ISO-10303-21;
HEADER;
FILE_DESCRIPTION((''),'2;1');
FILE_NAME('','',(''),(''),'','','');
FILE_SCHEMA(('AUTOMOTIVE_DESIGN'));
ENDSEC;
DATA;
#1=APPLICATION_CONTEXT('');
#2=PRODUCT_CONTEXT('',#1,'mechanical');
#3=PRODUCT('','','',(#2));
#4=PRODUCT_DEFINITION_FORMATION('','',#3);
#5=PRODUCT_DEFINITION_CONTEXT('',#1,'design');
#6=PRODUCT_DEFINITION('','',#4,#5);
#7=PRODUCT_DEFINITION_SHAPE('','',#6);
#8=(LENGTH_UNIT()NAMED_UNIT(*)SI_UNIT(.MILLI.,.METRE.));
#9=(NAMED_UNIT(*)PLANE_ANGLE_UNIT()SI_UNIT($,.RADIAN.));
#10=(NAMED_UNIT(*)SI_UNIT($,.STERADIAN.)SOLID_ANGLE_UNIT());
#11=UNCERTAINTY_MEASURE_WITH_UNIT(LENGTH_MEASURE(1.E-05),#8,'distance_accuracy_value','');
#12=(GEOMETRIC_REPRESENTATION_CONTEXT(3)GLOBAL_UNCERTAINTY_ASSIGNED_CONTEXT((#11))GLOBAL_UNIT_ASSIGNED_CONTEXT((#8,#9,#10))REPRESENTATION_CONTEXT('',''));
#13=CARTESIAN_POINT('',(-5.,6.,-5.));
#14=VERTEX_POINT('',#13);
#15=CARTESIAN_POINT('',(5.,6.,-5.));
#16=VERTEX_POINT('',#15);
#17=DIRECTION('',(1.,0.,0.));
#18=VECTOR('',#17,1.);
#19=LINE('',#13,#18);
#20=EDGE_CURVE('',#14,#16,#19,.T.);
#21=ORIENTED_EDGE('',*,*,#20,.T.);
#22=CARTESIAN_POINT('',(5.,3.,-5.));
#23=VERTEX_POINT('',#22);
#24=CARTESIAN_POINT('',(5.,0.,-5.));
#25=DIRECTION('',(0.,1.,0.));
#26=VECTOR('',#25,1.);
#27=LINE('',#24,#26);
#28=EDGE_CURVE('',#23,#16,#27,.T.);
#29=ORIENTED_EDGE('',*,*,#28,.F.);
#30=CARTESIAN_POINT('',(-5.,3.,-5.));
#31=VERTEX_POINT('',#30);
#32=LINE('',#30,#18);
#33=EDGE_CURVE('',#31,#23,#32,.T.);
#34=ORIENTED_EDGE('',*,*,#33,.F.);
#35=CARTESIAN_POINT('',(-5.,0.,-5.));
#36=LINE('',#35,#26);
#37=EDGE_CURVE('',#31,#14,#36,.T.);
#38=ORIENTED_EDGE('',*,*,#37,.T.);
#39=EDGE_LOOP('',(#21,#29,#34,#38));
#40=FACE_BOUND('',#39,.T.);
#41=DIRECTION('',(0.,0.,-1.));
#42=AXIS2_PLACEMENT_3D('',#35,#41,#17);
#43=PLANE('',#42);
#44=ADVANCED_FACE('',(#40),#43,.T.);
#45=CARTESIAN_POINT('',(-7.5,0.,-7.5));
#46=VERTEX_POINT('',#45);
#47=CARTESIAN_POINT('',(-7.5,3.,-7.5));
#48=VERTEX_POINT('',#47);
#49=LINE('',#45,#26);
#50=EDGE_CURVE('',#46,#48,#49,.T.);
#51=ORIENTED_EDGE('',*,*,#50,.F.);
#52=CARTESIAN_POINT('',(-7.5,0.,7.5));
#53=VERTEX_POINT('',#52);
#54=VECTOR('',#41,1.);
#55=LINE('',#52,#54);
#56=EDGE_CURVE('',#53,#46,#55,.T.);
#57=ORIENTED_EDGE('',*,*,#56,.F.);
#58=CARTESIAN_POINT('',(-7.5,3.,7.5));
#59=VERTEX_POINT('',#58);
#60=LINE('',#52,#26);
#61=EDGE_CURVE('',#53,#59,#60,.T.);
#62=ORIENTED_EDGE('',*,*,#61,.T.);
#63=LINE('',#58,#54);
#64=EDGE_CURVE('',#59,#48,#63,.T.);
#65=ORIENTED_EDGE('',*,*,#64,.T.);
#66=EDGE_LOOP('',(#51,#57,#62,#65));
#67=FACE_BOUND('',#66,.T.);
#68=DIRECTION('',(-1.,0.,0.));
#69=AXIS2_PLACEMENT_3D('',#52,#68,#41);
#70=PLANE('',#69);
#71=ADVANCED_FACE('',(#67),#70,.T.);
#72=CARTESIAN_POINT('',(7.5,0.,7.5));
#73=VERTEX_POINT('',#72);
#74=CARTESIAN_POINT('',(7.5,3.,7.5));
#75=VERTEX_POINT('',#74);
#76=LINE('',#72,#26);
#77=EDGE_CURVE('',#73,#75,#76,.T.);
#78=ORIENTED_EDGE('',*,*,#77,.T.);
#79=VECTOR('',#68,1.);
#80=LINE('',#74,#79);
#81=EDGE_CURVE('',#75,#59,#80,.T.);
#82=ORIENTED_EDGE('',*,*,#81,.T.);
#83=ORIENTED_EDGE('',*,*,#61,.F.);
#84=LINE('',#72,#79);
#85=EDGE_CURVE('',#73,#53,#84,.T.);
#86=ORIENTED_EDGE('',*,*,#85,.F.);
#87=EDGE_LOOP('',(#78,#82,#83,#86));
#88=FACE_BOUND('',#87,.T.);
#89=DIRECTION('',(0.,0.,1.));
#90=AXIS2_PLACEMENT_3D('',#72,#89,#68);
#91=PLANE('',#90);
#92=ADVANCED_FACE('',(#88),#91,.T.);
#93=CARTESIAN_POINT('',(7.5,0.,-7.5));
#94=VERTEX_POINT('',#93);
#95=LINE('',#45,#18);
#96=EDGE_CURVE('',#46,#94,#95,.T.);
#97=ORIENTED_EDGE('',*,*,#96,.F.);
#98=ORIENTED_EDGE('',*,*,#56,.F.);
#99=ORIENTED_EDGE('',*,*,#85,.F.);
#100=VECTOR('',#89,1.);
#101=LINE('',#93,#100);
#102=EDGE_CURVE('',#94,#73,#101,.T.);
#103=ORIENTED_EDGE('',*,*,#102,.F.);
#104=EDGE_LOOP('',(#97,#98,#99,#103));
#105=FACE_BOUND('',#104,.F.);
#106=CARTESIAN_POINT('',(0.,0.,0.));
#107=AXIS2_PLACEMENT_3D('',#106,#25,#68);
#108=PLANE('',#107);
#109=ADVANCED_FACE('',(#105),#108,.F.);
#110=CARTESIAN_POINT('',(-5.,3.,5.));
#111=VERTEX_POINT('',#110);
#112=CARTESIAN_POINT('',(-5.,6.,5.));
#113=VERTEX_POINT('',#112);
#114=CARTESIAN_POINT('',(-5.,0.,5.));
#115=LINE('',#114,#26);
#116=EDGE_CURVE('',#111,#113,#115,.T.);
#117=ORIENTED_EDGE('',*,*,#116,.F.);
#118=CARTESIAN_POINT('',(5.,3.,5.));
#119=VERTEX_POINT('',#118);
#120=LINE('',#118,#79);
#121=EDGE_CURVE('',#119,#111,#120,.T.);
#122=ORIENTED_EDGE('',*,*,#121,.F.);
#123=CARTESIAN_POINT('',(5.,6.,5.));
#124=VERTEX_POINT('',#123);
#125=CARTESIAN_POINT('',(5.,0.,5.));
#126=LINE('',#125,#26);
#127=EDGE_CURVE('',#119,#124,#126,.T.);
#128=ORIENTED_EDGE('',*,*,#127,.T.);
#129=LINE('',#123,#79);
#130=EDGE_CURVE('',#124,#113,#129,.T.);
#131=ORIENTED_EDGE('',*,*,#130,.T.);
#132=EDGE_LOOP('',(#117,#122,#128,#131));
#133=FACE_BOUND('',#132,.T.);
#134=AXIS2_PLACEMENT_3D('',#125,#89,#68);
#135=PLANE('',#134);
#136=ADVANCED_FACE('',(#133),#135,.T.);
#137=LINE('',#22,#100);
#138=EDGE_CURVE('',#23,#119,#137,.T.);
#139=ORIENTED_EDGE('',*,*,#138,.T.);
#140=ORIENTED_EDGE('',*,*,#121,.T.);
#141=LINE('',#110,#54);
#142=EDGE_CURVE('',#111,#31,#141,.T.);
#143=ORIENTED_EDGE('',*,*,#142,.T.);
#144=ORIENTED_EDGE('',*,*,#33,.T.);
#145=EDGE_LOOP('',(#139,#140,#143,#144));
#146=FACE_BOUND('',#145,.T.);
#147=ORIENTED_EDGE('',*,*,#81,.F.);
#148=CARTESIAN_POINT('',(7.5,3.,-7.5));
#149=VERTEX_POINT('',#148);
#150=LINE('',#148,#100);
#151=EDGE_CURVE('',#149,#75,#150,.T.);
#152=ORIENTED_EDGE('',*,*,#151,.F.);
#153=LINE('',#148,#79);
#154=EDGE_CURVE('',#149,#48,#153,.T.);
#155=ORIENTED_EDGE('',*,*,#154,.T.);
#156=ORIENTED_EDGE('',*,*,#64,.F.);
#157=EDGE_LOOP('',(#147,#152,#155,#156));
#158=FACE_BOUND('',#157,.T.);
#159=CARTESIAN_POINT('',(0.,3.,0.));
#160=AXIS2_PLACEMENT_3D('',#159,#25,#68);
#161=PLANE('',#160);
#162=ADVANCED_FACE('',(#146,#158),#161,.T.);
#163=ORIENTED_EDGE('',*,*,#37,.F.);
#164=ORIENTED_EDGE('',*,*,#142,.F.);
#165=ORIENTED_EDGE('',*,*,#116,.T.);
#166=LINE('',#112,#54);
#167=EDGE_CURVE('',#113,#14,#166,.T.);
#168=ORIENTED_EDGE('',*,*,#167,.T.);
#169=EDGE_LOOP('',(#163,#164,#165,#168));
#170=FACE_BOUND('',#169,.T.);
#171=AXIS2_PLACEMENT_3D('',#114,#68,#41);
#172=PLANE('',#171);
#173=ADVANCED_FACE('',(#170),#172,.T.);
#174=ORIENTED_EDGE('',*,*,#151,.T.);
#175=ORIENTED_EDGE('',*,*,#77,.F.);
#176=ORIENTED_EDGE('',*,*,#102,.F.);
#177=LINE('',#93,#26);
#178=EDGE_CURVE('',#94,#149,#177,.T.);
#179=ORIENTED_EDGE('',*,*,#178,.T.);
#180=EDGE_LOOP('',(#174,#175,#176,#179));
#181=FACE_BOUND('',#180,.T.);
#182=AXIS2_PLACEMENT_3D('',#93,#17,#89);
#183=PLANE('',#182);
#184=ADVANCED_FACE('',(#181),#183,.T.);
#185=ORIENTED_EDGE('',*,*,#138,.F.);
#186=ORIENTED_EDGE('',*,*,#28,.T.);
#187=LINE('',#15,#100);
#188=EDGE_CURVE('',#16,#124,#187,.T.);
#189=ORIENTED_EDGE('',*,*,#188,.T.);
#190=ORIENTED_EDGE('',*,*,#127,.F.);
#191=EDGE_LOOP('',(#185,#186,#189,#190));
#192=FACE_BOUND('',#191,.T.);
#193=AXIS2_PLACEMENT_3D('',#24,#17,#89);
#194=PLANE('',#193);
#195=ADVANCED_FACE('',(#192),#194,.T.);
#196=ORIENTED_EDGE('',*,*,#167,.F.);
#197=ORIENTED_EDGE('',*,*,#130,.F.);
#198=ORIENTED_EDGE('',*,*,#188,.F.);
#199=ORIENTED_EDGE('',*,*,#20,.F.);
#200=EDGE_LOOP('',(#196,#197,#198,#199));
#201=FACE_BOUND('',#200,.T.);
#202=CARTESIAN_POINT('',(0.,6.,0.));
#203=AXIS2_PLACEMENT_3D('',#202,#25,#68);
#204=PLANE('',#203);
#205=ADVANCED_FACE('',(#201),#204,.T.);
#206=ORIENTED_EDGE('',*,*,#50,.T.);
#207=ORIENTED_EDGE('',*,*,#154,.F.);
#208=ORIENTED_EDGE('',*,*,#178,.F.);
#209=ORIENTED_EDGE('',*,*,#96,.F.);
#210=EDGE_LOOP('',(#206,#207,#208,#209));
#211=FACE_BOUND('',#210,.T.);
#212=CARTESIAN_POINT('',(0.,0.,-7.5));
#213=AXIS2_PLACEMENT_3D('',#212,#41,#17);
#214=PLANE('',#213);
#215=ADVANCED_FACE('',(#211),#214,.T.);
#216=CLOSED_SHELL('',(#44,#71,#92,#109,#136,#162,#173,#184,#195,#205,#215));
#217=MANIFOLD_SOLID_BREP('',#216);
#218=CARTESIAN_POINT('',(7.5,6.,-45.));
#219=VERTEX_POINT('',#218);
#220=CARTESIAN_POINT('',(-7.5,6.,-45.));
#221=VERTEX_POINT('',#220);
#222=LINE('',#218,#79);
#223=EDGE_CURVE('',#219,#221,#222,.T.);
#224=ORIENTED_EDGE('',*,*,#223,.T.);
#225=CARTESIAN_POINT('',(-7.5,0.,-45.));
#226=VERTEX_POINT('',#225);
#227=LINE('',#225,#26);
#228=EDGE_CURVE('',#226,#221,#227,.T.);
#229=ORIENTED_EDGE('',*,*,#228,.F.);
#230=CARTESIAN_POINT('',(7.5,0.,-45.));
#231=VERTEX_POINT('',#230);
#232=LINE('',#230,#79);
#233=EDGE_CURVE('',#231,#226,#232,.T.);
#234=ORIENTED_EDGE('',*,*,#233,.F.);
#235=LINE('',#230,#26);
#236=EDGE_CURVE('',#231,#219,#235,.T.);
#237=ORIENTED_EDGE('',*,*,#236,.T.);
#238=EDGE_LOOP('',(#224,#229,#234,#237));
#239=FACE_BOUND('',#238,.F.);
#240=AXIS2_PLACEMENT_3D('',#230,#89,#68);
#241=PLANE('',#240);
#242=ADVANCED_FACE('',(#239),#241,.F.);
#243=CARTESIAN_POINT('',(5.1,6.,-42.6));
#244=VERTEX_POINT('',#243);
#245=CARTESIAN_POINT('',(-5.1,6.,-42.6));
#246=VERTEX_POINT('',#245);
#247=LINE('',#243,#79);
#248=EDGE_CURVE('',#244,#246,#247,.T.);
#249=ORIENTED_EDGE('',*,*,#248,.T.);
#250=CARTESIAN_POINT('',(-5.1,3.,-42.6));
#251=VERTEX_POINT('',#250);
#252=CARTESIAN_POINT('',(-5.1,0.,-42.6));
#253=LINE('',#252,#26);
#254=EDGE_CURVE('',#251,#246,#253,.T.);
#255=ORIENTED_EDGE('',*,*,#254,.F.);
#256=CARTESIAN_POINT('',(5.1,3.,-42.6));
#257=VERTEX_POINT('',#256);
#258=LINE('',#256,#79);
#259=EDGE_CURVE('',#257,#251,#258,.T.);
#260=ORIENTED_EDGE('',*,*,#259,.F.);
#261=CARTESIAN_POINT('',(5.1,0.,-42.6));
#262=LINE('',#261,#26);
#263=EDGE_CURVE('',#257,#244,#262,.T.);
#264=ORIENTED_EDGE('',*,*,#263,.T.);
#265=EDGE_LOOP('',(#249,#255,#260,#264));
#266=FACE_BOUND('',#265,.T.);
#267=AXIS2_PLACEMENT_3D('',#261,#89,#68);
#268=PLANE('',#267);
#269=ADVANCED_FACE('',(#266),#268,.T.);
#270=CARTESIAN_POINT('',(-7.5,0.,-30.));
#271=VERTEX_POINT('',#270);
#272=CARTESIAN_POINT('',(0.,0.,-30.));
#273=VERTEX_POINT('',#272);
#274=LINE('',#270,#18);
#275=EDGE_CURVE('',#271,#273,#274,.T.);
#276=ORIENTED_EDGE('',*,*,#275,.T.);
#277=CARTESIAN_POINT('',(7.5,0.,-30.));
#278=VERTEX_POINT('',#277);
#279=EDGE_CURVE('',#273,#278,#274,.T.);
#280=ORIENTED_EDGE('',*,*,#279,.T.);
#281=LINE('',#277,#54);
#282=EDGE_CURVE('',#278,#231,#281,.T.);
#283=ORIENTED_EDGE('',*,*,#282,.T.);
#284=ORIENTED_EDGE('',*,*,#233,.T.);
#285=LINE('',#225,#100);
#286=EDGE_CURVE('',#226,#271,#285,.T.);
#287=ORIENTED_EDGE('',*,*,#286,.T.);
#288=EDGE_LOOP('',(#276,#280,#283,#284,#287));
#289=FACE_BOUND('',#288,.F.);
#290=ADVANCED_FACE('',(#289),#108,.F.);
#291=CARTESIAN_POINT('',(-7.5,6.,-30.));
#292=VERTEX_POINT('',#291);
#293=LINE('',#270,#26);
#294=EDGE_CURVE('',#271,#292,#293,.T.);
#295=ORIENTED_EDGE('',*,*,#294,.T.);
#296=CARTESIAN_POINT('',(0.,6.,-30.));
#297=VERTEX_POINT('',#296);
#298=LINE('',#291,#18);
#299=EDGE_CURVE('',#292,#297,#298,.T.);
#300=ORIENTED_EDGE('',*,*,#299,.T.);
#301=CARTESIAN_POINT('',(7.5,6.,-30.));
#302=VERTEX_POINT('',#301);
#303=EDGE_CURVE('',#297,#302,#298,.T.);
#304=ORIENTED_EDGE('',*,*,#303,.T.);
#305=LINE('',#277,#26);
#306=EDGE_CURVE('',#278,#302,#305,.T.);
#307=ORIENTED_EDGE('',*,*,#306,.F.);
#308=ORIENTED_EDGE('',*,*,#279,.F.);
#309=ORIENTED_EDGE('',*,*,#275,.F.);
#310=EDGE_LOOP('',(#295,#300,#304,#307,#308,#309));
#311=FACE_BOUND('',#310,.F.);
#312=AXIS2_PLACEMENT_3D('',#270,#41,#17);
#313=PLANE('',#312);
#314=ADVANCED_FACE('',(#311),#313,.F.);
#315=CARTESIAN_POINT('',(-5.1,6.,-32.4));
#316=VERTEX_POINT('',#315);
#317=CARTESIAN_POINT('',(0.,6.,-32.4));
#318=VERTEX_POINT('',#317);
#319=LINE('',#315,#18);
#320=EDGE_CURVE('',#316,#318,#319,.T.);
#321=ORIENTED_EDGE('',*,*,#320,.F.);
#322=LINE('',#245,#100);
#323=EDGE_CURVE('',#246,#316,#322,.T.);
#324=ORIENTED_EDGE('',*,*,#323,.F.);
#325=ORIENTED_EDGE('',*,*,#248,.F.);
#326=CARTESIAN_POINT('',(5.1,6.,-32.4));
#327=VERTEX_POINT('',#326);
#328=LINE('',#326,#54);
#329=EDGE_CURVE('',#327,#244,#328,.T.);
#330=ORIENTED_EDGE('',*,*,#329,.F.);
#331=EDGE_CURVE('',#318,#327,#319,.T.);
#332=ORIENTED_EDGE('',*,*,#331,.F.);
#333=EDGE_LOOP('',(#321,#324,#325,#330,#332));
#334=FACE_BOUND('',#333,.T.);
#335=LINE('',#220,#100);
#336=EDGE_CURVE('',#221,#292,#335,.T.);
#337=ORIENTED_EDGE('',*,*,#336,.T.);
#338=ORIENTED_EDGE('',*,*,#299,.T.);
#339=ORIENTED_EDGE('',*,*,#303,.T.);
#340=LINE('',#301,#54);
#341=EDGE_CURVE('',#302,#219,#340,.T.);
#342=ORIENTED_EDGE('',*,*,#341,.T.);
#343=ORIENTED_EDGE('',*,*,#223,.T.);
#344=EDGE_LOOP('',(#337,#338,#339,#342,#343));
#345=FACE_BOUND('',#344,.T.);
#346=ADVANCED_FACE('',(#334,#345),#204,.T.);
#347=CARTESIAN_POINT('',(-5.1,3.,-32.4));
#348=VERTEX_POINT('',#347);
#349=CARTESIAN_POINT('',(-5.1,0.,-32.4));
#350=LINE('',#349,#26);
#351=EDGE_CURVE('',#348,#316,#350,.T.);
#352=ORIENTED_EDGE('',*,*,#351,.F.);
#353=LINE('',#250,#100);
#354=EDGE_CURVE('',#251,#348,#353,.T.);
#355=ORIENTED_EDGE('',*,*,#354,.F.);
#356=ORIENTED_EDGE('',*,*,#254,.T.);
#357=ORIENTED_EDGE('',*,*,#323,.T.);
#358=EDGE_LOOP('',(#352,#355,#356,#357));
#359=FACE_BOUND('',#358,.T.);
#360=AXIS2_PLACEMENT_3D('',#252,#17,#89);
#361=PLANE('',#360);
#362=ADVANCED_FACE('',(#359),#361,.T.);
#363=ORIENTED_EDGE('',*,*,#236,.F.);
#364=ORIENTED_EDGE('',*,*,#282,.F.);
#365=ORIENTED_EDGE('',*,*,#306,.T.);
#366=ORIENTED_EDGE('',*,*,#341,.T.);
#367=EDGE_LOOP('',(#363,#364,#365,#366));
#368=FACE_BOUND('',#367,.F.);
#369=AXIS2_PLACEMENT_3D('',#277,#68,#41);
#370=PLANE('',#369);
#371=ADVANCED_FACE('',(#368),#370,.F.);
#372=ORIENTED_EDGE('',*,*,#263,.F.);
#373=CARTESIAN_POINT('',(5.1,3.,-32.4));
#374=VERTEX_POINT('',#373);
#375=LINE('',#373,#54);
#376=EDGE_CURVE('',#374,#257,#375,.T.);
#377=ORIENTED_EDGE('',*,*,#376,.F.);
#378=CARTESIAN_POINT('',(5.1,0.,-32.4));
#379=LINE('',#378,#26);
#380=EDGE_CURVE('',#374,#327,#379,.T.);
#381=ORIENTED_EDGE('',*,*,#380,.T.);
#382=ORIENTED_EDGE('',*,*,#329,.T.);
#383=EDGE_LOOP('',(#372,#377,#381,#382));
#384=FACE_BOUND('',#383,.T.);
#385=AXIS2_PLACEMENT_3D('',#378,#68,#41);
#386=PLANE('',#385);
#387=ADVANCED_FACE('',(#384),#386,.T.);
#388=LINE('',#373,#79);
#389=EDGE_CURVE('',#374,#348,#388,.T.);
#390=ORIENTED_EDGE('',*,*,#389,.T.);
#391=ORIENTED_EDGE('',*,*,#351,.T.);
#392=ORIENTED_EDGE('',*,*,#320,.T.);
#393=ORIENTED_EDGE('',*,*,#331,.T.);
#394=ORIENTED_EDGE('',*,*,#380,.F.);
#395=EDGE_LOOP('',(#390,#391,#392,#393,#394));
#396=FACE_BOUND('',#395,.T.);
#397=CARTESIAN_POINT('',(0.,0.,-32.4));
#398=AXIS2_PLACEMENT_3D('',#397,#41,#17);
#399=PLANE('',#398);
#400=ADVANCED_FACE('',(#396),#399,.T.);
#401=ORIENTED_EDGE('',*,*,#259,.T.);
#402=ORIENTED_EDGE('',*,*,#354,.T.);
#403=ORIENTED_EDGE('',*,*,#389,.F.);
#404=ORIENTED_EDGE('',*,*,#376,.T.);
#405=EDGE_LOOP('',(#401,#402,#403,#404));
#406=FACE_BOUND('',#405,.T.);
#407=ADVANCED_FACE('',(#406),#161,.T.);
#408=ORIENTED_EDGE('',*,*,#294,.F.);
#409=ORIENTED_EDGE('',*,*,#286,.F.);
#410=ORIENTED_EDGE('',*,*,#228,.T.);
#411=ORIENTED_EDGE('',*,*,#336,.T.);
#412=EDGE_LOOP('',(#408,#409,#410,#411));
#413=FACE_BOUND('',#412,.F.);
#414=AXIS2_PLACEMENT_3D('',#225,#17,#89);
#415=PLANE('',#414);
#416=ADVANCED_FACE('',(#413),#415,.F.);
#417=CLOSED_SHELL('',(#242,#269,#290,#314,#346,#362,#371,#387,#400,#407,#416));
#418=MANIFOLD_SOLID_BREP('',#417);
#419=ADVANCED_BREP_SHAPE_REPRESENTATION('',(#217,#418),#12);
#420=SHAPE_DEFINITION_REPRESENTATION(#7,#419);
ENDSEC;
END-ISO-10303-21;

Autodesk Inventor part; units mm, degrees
ref_plane "YZ Plane" through (0, 0, 0) normal (1, 0, 0) x (0, 1, 0)
ref_plane "XZ Plane" through (0, 0, 0) normal (0, 1, 0) x (-1, 0, 0)
ref_plane "XY Plane" through (0, 0, 0) normal (0, 0, 1) x (1, 0, 0)
sketch "Sketch1" plane through (0, 0, 0) normal (0, 1, 0) x (-1, 0, 0)
  line L0 (-7.5, 7.5) -> (7.5, 7.5)
  line L1 (7.5, 7.5) -> (7.5, -7.5)
  line L2 (7.5, -7.5) -> (-7.5, -7.5)
  line L3 (-7.5, -7.5) -> (-7.5, 7.5)
  line L4 (-7.5, 7.5) -> (7.5, -7.5) construction
  line L5 (7.5, 7.5) -> (-7.5, -7.5) construction
  line L6 (-5, 5) -> (5, 5)
  line L7 (5, 5) -> (5, -5)
  line L8 (5, -5) -> (-5, -5)
  line L9 (-5, -5) -> (-5, 5)
  line L10 (-5, 5) -> (5, -5) construction
  line L11 (5, 5) -> (-5, -5) construction
  line L12 (0, -7.5) -> (0, -37.5)
  line L13 (-7.5, -45) -> (7.5, -45)
  line L14 (7.5, -45) -> (7.5, -30)
  line L15 (7.5, -30) -> (-7.5, -30)
  line L16 (-7.5, -30) -> (-7.5, -45)
  line L17 (-7.5, -45) -> (7.5, -30) construction
  line L18 (7.5, -45) -> (-7.5, -30) construction
  line L19 (-5.1, -42.6) -> (5.1, -42.6)
  line L20 (5.1, -42.6) -> (5.1, -32.4)
  line L21 (5.1, -32.4) -> (-5.1, -32.4)
  line L22 (-5.1, -32.4) -> (-5.1, -42.6)
  line L23 (-5.1, -42.6) -> (5.1, -32.4) construction
  line L24 (5.1, -42.6) -> (-5.1, -32.4) construction
  point P0 (0, 0)
  dimension "d0" = 15
  dimension "d1" = 15
  dimension "d2" = 10
  dimension "d3" = 10
  dimension "d4" = 30
  dimension "d5" = 15
  dimension "d6" = 15
  dimension "d7" = 10.2
  dimension "d8" = 10.2
extrude "Extrusion3" add sketch "Sketch1" along normal blind 3 contours L0 L1 L2 L3
extrude "Extrusion4" add sketch "Sketch1" along normal blind 6 contours L6 L7 L8 L9
extrude "Extrusion5" add sketch "Sketch1" along normal blind 6 contours L15 L14 L13 L16
extrude "Extrusion6" add sketch "Sketch1" along normal blind 3 contours L21 L20 L19 L22
properties part number "InsertTest"
